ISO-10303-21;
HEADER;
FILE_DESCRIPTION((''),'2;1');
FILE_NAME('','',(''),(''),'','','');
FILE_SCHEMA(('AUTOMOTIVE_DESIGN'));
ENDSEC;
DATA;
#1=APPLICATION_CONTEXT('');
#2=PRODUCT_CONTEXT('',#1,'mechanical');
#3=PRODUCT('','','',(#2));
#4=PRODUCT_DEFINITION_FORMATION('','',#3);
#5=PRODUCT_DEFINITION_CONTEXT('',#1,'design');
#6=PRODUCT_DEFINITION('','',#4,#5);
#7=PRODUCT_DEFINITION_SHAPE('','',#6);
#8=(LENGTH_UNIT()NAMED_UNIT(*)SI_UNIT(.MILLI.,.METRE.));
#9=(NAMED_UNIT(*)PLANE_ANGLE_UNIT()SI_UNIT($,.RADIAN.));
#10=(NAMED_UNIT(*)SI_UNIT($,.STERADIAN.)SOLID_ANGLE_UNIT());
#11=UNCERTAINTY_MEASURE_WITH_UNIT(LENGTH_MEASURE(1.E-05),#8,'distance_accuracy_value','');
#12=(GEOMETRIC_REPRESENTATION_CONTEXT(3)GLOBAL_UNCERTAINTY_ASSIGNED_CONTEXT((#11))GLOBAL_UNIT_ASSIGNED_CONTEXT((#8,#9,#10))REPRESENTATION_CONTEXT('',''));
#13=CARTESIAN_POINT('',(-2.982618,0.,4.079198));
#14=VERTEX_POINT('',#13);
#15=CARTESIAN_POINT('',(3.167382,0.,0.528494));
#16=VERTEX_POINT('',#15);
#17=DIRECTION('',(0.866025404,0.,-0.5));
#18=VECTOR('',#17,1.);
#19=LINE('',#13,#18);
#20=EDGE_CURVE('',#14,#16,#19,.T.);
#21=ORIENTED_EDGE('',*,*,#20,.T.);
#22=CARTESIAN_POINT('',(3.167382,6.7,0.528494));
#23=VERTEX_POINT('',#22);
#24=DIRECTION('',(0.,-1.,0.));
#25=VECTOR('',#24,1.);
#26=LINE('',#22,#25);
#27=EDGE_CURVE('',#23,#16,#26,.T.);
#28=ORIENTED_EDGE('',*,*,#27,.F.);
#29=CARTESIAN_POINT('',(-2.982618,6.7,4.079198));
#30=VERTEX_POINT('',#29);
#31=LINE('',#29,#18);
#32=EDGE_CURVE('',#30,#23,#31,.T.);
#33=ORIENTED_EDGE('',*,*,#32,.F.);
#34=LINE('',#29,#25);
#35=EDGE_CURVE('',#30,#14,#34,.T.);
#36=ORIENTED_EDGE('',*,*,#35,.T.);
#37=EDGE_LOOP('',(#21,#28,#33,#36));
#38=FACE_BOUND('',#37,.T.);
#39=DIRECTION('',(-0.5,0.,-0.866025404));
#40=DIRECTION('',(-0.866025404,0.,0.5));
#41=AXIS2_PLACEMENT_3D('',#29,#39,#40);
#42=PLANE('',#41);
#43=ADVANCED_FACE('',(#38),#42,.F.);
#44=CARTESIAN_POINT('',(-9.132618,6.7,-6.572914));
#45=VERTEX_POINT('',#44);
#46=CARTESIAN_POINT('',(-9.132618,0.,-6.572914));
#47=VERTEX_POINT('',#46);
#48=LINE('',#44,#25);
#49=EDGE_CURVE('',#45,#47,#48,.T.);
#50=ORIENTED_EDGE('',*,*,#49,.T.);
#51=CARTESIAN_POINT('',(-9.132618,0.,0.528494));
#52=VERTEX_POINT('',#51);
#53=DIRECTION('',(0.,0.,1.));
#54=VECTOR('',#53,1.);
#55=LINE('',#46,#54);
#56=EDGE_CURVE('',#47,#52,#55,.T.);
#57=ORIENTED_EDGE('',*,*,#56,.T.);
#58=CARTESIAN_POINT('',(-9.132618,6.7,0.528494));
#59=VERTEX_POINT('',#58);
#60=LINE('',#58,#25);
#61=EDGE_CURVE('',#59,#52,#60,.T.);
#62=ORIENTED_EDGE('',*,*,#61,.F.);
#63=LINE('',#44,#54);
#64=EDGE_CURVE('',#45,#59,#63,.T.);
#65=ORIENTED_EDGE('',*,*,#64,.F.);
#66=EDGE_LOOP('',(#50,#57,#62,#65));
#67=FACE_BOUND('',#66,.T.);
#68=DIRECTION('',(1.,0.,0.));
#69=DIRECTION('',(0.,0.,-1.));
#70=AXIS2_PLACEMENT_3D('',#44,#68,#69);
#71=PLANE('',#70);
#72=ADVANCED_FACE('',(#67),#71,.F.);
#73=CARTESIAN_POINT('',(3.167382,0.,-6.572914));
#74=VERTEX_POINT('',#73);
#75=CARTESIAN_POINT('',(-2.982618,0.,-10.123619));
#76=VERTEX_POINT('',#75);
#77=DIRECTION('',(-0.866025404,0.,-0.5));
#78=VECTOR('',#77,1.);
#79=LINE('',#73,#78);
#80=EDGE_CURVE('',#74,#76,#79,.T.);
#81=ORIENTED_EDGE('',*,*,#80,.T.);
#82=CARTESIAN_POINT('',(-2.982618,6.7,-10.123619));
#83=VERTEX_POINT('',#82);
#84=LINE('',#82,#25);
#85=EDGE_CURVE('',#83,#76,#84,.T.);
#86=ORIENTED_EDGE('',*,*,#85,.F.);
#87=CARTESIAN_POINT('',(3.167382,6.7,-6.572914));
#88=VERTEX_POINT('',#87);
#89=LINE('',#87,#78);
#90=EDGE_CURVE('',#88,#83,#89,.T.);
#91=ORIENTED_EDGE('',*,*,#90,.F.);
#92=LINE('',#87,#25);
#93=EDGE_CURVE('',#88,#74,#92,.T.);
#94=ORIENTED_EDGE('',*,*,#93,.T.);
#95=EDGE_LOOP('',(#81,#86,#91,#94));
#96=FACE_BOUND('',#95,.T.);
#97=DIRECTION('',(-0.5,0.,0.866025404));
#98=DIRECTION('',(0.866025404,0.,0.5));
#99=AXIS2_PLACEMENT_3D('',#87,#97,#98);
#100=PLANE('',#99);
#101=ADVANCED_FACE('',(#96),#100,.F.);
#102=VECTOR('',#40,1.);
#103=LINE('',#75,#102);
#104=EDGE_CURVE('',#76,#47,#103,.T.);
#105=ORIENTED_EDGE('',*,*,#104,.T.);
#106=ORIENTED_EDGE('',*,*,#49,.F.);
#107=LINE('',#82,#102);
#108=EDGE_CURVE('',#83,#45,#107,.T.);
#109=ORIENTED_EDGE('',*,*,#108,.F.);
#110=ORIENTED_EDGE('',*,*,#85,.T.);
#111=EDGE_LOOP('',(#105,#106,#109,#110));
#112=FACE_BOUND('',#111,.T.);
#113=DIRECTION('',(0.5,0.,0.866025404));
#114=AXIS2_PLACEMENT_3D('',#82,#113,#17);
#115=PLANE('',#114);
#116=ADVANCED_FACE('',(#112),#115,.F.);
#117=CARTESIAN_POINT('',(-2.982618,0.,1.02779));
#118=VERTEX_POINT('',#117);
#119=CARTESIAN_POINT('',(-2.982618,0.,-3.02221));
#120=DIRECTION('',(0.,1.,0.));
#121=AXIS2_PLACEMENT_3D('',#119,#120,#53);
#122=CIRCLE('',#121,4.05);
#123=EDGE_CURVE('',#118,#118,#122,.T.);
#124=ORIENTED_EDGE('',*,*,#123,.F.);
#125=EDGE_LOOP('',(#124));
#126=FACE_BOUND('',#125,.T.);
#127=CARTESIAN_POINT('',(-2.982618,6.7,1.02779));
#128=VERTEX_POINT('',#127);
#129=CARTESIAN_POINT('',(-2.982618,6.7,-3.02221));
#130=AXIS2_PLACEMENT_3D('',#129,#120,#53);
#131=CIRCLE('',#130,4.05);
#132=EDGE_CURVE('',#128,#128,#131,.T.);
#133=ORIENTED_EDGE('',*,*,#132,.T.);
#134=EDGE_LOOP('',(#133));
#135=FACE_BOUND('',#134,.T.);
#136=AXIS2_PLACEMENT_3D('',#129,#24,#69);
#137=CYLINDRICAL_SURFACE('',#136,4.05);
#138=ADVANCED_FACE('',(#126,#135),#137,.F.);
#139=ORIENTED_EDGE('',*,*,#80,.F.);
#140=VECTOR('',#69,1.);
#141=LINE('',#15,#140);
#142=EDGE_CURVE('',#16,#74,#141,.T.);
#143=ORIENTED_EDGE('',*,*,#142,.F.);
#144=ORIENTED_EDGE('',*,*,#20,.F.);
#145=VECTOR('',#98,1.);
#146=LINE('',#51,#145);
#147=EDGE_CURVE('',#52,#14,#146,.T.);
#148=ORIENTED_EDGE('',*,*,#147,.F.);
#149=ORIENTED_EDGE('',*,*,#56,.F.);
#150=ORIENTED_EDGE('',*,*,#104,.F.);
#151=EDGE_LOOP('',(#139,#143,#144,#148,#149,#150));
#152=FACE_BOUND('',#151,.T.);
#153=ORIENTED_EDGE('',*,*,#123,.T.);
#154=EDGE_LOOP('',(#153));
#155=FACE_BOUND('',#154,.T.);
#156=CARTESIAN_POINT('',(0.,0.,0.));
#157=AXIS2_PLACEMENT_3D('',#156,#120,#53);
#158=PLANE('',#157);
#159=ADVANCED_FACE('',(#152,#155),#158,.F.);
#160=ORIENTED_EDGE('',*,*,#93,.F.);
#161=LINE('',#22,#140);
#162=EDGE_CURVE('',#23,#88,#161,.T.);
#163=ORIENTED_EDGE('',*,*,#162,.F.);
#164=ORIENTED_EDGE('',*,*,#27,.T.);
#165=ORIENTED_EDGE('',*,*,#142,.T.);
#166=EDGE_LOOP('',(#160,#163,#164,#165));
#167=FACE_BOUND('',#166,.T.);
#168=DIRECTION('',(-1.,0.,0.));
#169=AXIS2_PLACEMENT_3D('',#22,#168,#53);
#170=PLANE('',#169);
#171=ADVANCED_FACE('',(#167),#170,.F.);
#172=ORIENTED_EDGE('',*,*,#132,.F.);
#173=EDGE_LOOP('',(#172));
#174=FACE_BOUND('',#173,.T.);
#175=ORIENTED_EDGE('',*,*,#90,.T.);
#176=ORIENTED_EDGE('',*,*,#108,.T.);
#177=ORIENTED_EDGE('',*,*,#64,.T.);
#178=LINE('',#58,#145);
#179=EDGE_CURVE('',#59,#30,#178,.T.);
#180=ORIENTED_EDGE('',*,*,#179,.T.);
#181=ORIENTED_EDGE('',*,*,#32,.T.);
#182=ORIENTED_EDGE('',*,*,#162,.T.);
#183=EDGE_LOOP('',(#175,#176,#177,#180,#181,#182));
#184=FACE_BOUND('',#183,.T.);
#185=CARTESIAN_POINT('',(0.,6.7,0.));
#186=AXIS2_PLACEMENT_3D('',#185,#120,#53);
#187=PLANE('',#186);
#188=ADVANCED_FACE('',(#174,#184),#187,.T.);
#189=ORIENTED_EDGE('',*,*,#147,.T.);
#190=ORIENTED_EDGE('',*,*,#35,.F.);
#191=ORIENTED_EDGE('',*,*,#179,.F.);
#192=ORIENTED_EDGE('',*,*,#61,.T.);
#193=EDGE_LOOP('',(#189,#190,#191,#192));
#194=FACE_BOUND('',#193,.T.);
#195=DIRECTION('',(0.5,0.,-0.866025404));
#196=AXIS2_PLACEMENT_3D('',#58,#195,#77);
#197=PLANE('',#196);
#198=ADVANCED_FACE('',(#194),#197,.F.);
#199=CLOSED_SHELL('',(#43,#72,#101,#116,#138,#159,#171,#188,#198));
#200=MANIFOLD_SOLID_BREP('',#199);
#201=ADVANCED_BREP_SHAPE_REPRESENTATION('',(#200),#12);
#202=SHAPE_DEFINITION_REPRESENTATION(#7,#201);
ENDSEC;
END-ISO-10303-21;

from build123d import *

# Parameters (mm, degrees)
SKETCH1_R           = 4.05
BOSS_EXTRUDE1_DEPTH = 6.7


with BuildPart() as part:
    # Sketch1 → Boss-Extrude1 (new body)
    with BuildSketch(Plane(origin=(0, 0, 0), x_dir=(1, 0, 0), z_dir=(0, 1, 0))):
        Polygon((3.167381974, -0.528493855), (3.167381974, 6.572914456), (-2.982618026, 10.123618611), (-9.132618026, 6.572914456), (-9.132618026, -0.528493855), (-2.982618026, -4.079198011), align=None)
        with Locations((-2.982618026, 3.0222103)):
            Circle(SKETCH1_R, mode=Mode.SUBTRACT)
    extrude(amount=BOSS_EXTRUDE1_DEPTH)


solid = part.part
